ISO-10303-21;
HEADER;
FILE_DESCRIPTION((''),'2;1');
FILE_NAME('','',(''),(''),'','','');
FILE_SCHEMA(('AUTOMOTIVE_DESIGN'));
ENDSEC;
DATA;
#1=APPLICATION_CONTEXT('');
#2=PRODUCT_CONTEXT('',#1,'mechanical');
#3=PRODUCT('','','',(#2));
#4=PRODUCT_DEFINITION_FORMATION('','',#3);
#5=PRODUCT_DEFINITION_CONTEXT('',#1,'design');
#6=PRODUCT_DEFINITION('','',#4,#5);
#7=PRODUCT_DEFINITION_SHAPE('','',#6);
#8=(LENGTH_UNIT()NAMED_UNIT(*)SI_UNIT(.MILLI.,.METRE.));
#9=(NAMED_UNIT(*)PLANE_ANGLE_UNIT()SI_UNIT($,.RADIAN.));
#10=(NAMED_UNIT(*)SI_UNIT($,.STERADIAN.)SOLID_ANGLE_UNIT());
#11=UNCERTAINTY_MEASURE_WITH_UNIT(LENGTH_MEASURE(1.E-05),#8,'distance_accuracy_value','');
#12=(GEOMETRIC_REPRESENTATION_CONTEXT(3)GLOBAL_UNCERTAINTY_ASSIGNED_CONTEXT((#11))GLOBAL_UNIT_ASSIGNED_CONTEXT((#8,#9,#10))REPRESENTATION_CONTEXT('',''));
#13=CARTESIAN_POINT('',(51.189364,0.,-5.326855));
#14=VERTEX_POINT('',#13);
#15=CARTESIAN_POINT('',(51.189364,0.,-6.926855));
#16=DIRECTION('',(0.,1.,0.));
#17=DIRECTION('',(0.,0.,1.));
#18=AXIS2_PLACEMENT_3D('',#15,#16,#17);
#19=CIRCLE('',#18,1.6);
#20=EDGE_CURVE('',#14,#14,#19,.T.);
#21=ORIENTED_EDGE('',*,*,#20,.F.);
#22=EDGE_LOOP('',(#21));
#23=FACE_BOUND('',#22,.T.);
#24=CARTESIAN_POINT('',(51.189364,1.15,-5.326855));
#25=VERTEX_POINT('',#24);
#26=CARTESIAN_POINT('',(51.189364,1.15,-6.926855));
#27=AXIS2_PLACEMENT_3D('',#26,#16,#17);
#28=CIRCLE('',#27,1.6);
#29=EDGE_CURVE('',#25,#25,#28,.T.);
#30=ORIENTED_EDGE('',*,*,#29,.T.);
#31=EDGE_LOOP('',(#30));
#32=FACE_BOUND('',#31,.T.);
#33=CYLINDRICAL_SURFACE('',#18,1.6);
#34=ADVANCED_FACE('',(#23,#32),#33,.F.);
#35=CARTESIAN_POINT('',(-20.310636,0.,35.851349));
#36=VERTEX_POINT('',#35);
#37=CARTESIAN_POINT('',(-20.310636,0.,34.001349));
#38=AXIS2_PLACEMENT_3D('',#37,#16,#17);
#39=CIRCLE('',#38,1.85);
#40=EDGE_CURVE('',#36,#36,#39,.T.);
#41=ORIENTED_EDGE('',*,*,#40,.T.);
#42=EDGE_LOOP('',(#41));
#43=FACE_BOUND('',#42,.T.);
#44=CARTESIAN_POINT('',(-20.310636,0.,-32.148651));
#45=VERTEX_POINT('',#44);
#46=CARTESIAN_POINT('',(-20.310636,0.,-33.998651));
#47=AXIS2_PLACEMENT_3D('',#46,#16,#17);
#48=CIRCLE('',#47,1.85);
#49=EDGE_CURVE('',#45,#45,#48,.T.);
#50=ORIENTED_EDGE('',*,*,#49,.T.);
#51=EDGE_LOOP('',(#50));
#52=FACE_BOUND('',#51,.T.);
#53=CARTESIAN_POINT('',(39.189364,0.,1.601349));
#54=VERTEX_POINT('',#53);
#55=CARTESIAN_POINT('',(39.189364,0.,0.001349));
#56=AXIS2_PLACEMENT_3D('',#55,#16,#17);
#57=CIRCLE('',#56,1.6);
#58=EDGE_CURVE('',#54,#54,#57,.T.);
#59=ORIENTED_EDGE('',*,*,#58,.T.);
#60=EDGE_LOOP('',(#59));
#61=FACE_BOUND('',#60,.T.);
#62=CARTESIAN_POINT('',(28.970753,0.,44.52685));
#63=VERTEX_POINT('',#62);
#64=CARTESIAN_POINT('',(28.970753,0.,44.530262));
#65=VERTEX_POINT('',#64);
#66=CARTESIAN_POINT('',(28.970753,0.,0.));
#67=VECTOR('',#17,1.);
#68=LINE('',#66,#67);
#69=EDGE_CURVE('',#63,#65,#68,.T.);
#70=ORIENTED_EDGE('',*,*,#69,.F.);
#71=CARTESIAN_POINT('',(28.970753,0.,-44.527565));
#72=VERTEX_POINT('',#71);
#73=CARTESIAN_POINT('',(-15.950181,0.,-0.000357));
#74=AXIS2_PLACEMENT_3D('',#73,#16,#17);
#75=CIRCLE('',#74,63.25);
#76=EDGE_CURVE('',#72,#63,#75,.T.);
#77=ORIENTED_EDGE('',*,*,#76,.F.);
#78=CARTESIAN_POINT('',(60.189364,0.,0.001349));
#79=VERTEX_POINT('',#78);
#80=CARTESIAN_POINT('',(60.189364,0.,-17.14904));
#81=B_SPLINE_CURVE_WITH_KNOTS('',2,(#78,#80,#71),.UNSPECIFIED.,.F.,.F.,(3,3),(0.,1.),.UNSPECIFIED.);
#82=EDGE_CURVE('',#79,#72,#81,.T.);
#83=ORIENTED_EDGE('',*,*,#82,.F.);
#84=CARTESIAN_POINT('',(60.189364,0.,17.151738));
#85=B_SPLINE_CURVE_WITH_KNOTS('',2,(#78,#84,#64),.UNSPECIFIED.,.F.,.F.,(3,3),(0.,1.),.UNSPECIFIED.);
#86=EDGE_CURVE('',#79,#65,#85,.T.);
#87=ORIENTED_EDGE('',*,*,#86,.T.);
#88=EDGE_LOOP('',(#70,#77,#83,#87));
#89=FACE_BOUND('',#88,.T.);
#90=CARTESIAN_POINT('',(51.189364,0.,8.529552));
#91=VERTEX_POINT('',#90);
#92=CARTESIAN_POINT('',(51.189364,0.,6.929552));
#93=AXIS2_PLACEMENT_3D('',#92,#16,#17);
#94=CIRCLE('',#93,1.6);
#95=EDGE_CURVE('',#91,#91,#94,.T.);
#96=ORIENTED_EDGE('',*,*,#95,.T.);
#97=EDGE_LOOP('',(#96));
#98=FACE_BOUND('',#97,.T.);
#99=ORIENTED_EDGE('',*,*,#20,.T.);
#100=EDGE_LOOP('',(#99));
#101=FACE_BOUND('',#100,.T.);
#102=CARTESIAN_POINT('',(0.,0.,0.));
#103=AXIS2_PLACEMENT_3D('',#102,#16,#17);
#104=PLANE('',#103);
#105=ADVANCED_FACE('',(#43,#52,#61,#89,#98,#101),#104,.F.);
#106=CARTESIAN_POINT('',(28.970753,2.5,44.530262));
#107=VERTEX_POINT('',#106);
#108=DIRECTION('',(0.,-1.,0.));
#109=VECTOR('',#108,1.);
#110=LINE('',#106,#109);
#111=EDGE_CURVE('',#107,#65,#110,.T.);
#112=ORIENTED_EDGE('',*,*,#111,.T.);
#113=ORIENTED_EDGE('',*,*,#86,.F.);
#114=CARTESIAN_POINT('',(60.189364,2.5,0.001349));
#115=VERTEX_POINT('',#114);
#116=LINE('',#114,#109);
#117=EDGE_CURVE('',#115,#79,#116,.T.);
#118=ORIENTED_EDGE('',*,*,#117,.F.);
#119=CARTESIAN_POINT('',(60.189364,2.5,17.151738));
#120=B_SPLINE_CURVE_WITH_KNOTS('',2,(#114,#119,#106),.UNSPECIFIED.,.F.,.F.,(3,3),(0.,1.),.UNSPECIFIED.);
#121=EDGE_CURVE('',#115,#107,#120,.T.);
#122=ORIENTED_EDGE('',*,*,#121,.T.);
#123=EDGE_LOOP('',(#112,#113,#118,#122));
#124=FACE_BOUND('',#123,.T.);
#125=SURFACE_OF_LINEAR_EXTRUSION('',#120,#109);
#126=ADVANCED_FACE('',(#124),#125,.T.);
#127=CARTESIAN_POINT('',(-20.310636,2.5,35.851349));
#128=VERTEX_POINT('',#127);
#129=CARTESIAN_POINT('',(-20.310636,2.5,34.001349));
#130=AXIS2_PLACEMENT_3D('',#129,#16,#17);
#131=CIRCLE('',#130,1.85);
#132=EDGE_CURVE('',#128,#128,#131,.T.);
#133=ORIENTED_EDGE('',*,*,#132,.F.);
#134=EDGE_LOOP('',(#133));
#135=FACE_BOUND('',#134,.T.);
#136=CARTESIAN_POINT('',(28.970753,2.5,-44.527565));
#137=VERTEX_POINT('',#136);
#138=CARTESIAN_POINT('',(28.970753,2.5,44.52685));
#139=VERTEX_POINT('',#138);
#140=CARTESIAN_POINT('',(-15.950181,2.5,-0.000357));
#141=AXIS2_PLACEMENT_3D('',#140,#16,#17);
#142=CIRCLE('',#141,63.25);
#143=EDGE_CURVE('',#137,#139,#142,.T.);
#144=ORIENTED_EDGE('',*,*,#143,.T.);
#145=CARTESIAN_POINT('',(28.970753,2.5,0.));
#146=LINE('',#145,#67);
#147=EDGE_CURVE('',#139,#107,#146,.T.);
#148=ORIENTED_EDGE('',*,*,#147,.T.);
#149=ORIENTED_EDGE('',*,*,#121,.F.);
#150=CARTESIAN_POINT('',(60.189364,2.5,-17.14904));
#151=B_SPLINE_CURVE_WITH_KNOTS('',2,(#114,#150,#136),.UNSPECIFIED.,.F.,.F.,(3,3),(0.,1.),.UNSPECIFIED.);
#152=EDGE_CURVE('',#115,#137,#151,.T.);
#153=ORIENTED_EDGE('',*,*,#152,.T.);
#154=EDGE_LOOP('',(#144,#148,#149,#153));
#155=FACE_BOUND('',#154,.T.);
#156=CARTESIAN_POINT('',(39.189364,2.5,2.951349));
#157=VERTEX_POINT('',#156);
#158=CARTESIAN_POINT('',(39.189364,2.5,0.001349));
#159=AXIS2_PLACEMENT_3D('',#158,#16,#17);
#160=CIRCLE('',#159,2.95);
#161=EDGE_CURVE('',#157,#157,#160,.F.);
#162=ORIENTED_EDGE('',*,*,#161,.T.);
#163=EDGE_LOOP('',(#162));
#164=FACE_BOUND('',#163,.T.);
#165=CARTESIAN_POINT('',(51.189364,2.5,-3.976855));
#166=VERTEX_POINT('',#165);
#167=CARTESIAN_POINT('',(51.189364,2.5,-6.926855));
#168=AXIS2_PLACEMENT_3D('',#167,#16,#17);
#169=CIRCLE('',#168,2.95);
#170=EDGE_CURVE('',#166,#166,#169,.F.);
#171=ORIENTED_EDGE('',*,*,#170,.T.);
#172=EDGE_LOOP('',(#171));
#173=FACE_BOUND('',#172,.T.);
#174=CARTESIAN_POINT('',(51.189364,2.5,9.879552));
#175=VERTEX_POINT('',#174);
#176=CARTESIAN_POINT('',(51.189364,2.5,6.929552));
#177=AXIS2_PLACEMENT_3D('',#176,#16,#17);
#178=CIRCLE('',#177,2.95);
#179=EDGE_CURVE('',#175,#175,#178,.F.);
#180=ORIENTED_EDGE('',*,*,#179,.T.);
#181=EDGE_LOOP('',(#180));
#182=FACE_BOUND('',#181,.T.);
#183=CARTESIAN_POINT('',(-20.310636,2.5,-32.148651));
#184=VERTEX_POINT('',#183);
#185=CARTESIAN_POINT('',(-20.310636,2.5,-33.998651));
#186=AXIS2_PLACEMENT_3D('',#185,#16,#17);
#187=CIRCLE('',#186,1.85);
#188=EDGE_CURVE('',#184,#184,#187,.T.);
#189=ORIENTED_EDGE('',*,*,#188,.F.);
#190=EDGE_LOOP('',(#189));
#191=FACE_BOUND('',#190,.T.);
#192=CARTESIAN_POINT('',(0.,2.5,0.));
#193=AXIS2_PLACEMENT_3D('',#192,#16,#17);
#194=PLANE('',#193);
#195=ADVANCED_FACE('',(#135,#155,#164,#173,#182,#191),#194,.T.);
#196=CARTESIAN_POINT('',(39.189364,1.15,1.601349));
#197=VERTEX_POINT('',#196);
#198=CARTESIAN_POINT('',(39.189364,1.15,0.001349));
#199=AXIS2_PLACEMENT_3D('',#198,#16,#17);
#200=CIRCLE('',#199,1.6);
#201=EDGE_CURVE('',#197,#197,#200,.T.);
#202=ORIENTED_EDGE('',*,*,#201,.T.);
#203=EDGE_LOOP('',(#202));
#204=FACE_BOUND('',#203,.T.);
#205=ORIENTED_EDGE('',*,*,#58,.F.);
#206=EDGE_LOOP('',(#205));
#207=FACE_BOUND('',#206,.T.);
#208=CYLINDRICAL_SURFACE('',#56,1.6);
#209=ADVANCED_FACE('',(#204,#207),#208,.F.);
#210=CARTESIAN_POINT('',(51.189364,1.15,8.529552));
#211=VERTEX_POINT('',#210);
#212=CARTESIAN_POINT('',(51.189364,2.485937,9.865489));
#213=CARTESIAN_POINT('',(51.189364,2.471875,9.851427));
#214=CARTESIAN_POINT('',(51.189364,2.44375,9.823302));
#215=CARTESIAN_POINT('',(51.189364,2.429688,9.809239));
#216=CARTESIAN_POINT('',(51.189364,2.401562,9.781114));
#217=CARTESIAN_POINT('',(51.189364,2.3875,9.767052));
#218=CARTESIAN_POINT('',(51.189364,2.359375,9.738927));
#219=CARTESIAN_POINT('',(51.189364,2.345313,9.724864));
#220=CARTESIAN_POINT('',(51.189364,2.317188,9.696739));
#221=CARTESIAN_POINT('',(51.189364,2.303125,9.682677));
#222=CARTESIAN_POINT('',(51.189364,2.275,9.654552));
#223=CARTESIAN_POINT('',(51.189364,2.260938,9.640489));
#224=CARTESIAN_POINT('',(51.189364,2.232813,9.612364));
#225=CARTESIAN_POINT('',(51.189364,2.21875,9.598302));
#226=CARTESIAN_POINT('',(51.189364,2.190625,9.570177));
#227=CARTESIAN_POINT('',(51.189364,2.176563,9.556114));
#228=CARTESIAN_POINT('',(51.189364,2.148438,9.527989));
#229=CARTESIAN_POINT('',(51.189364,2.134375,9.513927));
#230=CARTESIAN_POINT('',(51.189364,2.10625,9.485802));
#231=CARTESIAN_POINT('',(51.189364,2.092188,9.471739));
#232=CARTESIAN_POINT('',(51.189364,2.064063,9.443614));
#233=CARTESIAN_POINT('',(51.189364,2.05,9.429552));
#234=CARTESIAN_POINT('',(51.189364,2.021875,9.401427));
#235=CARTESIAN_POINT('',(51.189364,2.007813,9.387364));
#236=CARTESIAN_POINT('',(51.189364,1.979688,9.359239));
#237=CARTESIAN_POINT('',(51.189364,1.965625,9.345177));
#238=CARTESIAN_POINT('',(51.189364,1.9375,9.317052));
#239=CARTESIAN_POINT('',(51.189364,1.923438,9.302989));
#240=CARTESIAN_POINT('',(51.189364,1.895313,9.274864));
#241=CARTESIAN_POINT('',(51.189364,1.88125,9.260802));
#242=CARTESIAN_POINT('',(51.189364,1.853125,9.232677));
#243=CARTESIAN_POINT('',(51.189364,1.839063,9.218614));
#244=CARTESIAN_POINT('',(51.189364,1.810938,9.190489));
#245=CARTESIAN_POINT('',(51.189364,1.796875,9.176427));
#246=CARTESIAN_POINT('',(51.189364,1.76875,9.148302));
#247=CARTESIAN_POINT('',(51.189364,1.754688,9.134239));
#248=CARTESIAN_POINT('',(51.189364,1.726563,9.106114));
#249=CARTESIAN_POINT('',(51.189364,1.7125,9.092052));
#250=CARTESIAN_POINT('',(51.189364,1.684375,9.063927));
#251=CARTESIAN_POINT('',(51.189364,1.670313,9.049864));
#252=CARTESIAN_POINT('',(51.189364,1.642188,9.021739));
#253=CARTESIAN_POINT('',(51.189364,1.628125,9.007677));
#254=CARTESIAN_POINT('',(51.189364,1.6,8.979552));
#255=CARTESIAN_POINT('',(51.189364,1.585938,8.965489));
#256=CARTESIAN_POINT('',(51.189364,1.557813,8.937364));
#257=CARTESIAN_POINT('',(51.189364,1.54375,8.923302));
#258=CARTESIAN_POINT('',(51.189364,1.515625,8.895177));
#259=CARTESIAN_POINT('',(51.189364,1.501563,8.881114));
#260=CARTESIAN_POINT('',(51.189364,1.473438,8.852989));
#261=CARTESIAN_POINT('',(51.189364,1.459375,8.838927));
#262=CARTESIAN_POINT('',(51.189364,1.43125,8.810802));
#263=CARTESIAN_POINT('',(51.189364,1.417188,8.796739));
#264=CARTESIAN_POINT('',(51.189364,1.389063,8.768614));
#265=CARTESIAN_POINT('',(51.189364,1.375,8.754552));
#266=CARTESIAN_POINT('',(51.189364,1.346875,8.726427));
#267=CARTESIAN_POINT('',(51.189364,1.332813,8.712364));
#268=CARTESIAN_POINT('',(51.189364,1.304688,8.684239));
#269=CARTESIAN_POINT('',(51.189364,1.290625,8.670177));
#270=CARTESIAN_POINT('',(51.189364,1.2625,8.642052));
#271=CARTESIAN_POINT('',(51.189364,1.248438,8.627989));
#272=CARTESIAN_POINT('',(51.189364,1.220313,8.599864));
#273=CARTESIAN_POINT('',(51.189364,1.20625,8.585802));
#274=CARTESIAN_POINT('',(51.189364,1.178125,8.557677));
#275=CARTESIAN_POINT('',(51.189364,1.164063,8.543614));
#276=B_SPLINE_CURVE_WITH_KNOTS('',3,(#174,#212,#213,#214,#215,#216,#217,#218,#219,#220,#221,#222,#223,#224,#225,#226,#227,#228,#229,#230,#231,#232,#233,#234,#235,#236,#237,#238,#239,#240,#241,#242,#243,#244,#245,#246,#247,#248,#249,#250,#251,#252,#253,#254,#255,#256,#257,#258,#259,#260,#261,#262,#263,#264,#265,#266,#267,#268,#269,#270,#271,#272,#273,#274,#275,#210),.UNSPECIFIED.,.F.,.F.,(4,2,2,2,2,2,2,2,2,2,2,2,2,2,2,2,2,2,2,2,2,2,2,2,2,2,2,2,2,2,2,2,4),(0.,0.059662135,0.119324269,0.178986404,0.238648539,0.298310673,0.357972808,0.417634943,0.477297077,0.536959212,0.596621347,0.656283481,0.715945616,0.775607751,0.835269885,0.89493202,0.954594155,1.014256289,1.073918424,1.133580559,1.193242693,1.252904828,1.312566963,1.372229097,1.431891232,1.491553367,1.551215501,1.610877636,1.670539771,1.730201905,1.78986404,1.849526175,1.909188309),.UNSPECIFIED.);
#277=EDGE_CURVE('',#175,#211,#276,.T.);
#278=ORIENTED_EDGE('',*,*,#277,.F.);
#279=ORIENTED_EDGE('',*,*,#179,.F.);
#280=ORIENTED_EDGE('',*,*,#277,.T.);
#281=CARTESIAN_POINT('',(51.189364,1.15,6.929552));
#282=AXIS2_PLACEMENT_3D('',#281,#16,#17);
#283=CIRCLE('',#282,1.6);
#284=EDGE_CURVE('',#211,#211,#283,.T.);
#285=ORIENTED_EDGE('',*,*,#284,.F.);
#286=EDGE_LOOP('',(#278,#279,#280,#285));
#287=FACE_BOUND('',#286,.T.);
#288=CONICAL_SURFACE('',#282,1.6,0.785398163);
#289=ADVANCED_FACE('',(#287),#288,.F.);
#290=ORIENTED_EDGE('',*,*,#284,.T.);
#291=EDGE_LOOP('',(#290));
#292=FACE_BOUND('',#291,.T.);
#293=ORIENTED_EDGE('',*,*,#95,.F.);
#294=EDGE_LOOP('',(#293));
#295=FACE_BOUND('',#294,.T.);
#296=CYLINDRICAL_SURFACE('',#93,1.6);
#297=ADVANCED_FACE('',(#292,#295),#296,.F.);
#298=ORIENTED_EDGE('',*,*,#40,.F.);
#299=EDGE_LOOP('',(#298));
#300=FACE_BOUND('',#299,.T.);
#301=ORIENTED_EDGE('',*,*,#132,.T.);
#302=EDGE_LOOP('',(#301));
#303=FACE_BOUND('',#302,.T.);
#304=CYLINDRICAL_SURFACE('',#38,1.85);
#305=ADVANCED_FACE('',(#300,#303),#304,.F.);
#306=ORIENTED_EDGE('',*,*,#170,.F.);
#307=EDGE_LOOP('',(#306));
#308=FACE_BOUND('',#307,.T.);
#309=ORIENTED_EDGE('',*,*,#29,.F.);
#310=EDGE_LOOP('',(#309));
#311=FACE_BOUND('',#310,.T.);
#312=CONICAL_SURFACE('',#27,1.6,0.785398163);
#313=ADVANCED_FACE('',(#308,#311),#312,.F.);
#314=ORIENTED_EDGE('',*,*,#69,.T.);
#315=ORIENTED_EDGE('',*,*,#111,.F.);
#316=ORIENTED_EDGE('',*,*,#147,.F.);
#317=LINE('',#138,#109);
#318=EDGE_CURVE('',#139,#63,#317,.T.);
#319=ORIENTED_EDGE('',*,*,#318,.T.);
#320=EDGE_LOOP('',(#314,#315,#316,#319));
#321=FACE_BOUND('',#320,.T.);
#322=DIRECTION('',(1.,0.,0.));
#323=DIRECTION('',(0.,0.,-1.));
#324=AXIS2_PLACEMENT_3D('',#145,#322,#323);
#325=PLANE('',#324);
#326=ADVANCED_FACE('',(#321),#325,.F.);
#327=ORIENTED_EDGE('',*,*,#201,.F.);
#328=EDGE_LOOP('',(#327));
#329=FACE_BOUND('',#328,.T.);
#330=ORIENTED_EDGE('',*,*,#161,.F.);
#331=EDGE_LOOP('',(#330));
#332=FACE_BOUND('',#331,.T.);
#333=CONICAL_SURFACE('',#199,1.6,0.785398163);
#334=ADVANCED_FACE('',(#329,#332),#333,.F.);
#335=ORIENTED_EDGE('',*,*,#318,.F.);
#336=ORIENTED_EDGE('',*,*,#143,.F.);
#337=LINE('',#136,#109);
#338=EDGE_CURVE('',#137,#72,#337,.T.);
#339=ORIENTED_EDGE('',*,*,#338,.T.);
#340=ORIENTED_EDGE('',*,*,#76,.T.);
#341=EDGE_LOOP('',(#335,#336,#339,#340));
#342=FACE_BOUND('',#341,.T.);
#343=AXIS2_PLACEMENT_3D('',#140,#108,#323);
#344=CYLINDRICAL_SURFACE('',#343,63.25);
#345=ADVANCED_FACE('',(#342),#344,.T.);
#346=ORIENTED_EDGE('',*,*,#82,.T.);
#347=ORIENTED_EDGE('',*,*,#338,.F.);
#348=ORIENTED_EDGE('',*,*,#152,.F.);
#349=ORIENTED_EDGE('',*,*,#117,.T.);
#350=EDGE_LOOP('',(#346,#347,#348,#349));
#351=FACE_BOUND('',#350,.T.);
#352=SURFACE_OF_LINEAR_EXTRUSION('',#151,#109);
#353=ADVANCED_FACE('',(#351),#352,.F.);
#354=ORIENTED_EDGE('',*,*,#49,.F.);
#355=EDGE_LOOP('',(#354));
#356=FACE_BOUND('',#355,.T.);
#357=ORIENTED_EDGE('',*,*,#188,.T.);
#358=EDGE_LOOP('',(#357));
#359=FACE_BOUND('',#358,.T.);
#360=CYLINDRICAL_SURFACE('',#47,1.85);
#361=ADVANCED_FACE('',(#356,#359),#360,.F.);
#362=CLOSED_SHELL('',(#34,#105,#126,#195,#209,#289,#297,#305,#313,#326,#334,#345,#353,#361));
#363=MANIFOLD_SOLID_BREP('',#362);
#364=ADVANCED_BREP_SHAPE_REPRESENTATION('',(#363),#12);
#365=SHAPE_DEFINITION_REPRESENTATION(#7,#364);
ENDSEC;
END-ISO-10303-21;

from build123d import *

# Parameters (mm, degrees)
SKIZZE1_R                       = 13
AUFSATZ_LINEAR_AUSTRAGEN1_DEPTH = 2.5
SKIZZE2_R                       = 1.6
SCHNITT_LINEAR_AUSTRAGEN1_DEPTH = 102.387999648
FASE1_SIZE                      = 1.35
SKIZZE3_R                       = 1.85
SCHNITT_LINEAR_AUSTRAGEN2_DEPTH = 102.387999648


with BuildPart() as part:
    # Skizze1 → Aufsatz-Linear austragen1 (new body)
    # profile 1 of 2: a face of its own
    with BuildSketch(Plane(origin=(0, 0, 0), x_dir=(1, 0, 0), z_dir=(0, 1, 0))):
        with BuildLine():
            add(Edge.make_bspline(
                [(60.189363801, -0.001348653), (60.189363801, -17.15173776), (28.970752729, -44.530261837)],
                knots=[0, 0, 0, 1, 1, 1], degree=2))
            Line((28.970752729, -44.530261837), (28.970752729, -44.526849746))
            ThreePointArc((28.970752729, -44.526849746), (-79.200181402, 0.000357393), (28.970752729, 44.527564532))
            add(Edge.make_bspline(
                [(60.189363801, -0.001348653), (60.189363801, 17.149040455), (28.970752729, 44.527564532)],
                knots=[0, 0, 0, 1, 1, 1], degree=2))
        make_face()
        with Locations((47.189363801, -0.001348653)):
            Circle(SKIZZE1_R, mode=Mode.SUBTRACT)
    # profile 2 of 2: a face of its own
    with BuildSketch(Plane(origin=(0, 0, 0), x_dir=(1, 0, 0), z_dir=(0, 1, 0))):
        with Locations((47.189363801, -0.001348653)):
            Circle(SKIZZE1_R)
    extrude(amount=AUFSATZ_LINEAR_AUSTRAGEN1_DEPTH)

    # Skizze2 → Schnitt-Linear austragen1 (cut, through all)
    with BuildSketch(Plane(origin=(0, 2.5, 0), x_dir=(1, 0, 0), z_dir=(0, 1, 0))):
        with Locations(Location((51.189363801, 6.926854578, 0), (0, 0, 270))):
            Circle(SKIZZE2_R)
        with Locations(Location((51.189363801, -6.929551883, 0), (0, 0, 270))):
            Circle(SKIZZE2_R)
        with Locations(Location((39.189363801, -0.001348653, 0), (0, 0, 270))):
            Circle(SKIZZE2_R)
    extrude(amount=-SCHNITT_LINEAR_AUSTRAGEN1_DEPTH, mode=Mode.SUBTRACT)

    # Fase1
    fase1_edges = [part.edges().sort_by_distance(p)[0] for p in [
        (51.189363801, 2.5, -8.526854578),
        (51.189363801, 2.5, 5.329551883),
        (39.189363801, 2.5, -1.598651347),
    ]]
    chamfer(fase1_edges, length=FASE1_SIZE)

    # Skizze3 → Schnitt-Linear austragen2 (cut, through all)
    with BuildSketch(Plane(origin=(0, 2.5, 0), x_dir=(1, 0, 0), z_dir=(0, 1, 0))):
        with Locations(Location((-20.310636199, 33.998651347, 0), (0, 0, 270))):
            Circle(SKIZZE3_R)
        with Locations(Location((-20.310636199, -34.001348653, 0), (0, 0, 270))):
            Circle(SKIZZE3_R)
    extrude(amount=-SCHNITT_LINEAR_AUSTRAGEN2_DEPTH, mode=Mode.SUBTRACT)


solid = part.part
